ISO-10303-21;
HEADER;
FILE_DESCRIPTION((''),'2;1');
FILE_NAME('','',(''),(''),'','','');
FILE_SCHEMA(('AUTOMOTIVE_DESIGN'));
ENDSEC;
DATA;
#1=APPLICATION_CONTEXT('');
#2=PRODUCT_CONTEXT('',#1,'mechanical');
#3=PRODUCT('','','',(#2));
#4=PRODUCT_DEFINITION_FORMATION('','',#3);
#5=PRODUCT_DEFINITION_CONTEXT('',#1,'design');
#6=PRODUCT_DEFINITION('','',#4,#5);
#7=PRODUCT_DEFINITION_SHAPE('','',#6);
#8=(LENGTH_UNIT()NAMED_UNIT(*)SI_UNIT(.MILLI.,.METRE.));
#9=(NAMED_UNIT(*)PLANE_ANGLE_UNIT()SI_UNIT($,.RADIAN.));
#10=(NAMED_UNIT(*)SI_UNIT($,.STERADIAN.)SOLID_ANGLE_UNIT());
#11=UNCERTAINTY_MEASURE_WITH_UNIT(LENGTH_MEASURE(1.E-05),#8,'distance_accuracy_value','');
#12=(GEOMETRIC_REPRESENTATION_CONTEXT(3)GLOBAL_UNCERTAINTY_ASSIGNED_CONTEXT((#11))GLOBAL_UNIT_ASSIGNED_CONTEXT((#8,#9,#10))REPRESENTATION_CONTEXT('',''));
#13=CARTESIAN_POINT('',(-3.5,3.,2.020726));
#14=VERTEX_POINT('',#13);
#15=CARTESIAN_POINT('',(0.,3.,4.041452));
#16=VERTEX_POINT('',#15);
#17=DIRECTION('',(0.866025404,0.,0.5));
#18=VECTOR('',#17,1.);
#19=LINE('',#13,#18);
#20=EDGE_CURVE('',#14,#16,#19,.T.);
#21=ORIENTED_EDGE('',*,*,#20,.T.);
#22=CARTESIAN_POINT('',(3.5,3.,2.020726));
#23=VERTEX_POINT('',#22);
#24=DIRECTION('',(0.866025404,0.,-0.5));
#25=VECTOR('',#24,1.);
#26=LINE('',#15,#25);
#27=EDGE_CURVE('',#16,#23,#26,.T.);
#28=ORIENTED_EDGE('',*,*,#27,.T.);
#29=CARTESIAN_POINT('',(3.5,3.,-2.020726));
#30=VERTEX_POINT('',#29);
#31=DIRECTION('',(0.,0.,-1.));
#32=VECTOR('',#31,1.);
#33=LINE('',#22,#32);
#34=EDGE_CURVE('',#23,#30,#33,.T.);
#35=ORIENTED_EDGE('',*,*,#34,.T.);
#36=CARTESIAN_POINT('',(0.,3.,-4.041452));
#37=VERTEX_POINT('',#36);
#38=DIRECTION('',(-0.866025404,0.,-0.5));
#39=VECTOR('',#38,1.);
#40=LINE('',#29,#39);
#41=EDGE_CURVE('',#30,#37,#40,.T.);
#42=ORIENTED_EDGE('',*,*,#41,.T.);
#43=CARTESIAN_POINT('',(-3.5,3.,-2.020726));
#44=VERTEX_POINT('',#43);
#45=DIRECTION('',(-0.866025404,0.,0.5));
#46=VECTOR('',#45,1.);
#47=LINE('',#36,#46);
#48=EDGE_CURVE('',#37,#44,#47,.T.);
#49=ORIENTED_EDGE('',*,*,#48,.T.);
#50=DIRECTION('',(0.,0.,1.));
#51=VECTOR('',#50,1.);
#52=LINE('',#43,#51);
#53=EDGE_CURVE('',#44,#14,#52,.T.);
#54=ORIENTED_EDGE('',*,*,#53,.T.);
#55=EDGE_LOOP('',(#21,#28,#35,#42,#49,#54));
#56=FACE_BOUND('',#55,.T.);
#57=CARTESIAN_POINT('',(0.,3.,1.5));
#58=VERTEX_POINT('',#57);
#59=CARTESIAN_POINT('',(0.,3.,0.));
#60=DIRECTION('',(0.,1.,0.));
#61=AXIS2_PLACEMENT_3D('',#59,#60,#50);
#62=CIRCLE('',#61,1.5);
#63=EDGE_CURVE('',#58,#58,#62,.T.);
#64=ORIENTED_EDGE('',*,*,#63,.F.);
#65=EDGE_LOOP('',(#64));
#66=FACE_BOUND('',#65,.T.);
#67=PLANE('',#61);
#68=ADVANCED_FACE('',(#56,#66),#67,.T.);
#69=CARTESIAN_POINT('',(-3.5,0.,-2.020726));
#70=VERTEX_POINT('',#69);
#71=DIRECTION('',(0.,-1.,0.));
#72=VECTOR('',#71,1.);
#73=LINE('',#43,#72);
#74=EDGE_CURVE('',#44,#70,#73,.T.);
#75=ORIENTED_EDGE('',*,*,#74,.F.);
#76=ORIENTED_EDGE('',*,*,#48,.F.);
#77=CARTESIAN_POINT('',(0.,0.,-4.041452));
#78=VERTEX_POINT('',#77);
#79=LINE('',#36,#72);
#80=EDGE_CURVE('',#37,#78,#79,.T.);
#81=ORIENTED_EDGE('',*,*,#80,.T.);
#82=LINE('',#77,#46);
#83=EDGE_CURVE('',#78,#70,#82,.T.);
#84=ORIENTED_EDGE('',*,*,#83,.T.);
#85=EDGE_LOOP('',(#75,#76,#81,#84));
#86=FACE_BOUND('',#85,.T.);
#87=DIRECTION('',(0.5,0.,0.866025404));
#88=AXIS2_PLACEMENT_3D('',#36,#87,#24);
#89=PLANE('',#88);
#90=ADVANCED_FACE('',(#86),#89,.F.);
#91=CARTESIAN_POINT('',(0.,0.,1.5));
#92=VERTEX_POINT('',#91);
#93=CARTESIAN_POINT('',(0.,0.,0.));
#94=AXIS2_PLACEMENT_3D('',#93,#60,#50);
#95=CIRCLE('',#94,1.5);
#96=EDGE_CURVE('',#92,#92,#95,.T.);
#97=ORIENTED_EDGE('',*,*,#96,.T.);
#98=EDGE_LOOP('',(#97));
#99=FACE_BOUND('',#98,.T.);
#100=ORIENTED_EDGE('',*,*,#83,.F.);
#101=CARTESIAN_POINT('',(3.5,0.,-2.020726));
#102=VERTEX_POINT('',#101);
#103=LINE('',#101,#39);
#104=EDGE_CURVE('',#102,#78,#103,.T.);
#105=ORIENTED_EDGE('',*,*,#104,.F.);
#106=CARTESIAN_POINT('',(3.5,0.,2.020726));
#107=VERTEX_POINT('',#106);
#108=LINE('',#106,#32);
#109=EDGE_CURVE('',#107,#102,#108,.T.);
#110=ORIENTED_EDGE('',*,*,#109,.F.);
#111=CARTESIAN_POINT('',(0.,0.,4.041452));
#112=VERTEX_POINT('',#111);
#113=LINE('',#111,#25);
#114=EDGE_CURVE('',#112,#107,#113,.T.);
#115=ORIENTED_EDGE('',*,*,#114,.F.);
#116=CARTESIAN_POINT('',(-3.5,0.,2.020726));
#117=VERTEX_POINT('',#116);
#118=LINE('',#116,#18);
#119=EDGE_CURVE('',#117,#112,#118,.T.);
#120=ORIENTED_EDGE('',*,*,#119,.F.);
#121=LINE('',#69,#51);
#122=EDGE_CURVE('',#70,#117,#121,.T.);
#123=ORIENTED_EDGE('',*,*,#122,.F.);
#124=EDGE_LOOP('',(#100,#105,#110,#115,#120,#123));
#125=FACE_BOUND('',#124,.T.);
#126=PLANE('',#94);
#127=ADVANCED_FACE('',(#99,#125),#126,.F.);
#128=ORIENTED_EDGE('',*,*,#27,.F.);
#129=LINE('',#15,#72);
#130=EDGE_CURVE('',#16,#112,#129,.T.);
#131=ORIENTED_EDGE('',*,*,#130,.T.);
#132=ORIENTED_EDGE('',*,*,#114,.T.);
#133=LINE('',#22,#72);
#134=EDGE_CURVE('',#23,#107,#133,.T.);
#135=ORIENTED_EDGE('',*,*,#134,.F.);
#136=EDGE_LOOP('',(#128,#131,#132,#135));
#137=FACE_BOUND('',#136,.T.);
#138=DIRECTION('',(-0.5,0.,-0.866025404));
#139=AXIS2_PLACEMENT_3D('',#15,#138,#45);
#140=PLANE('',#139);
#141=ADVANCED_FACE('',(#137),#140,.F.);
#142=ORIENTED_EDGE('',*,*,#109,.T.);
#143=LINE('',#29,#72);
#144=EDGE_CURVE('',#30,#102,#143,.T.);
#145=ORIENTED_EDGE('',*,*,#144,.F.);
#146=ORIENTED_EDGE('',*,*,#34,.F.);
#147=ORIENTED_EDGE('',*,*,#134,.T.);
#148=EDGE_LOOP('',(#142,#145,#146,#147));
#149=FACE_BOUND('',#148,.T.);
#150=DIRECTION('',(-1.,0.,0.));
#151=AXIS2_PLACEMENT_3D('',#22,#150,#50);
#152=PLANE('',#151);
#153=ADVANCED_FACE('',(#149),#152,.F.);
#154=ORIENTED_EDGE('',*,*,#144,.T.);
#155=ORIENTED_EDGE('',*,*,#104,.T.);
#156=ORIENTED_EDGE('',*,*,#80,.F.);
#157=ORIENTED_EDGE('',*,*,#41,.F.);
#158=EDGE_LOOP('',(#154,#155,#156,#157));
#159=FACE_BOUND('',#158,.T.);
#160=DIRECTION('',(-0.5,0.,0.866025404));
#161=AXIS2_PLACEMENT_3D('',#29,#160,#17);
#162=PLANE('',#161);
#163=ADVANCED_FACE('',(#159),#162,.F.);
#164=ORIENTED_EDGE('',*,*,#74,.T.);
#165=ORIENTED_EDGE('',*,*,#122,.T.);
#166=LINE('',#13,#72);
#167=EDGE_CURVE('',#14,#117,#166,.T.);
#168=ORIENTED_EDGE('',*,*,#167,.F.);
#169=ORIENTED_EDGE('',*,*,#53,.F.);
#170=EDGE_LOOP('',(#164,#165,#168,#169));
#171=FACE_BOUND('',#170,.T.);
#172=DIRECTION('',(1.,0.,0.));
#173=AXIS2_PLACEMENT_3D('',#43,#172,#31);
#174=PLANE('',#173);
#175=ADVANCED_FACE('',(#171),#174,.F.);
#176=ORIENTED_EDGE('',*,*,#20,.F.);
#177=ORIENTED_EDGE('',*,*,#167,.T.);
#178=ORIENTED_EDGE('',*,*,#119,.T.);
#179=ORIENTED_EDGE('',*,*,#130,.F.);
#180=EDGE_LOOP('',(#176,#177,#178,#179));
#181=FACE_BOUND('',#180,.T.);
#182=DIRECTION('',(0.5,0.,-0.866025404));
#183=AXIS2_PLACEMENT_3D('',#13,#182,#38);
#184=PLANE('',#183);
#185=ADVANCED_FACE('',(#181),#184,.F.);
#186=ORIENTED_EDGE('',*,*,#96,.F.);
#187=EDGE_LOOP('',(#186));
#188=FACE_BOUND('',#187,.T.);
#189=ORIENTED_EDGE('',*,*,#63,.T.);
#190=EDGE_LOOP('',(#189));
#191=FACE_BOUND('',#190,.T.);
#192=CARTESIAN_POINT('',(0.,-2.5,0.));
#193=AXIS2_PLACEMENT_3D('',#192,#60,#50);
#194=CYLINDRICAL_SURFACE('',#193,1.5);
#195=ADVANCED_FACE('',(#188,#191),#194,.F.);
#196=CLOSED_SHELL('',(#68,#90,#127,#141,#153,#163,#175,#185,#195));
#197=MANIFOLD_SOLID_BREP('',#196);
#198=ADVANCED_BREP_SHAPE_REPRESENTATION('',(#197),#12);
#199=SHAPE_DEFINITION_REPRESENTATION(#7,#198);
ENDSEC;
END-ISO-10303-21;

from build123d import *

# Parameters (mm, degrees)
SALIENTE_EXTRUIR1_DEPTH = 3
CROQUIS3_R              = 1.5
CORTAR_EXTRUIR1_DEPTH   = 5.5


with BuildPart() as part:
    # Croquis1 → Saliente-Extruir1 (new body)
    with BuildSketch(Plane(origin=(0, 0, 0), x_dir=(1, 0, 0), z_dir=(0, 1, 0))):
        Polygon((0, 4.041451884), (-3.5, 2.020725942), (-3.5, -2.020725942), (0, -4.041451884), (3.5, -2.020725942), (3.5, 2.020725942), align=None)
    extrude(amount=SALIENTE_EXTRUIR1_DEPTH)

    # Croquis3 → Cortar-Extruir1 (cut)
    with BuildSketch(Plane(origin=(0, 3, 0), x_dir=(1, 0, 0), z_dir=(0, 1, 0))):
        Circle(CROQUIS3_R)
    extrude(amount=-CORTAR_EXTRUIR1_DEPTH, mode=Mode.SUBTRACT)


solid = part.part
